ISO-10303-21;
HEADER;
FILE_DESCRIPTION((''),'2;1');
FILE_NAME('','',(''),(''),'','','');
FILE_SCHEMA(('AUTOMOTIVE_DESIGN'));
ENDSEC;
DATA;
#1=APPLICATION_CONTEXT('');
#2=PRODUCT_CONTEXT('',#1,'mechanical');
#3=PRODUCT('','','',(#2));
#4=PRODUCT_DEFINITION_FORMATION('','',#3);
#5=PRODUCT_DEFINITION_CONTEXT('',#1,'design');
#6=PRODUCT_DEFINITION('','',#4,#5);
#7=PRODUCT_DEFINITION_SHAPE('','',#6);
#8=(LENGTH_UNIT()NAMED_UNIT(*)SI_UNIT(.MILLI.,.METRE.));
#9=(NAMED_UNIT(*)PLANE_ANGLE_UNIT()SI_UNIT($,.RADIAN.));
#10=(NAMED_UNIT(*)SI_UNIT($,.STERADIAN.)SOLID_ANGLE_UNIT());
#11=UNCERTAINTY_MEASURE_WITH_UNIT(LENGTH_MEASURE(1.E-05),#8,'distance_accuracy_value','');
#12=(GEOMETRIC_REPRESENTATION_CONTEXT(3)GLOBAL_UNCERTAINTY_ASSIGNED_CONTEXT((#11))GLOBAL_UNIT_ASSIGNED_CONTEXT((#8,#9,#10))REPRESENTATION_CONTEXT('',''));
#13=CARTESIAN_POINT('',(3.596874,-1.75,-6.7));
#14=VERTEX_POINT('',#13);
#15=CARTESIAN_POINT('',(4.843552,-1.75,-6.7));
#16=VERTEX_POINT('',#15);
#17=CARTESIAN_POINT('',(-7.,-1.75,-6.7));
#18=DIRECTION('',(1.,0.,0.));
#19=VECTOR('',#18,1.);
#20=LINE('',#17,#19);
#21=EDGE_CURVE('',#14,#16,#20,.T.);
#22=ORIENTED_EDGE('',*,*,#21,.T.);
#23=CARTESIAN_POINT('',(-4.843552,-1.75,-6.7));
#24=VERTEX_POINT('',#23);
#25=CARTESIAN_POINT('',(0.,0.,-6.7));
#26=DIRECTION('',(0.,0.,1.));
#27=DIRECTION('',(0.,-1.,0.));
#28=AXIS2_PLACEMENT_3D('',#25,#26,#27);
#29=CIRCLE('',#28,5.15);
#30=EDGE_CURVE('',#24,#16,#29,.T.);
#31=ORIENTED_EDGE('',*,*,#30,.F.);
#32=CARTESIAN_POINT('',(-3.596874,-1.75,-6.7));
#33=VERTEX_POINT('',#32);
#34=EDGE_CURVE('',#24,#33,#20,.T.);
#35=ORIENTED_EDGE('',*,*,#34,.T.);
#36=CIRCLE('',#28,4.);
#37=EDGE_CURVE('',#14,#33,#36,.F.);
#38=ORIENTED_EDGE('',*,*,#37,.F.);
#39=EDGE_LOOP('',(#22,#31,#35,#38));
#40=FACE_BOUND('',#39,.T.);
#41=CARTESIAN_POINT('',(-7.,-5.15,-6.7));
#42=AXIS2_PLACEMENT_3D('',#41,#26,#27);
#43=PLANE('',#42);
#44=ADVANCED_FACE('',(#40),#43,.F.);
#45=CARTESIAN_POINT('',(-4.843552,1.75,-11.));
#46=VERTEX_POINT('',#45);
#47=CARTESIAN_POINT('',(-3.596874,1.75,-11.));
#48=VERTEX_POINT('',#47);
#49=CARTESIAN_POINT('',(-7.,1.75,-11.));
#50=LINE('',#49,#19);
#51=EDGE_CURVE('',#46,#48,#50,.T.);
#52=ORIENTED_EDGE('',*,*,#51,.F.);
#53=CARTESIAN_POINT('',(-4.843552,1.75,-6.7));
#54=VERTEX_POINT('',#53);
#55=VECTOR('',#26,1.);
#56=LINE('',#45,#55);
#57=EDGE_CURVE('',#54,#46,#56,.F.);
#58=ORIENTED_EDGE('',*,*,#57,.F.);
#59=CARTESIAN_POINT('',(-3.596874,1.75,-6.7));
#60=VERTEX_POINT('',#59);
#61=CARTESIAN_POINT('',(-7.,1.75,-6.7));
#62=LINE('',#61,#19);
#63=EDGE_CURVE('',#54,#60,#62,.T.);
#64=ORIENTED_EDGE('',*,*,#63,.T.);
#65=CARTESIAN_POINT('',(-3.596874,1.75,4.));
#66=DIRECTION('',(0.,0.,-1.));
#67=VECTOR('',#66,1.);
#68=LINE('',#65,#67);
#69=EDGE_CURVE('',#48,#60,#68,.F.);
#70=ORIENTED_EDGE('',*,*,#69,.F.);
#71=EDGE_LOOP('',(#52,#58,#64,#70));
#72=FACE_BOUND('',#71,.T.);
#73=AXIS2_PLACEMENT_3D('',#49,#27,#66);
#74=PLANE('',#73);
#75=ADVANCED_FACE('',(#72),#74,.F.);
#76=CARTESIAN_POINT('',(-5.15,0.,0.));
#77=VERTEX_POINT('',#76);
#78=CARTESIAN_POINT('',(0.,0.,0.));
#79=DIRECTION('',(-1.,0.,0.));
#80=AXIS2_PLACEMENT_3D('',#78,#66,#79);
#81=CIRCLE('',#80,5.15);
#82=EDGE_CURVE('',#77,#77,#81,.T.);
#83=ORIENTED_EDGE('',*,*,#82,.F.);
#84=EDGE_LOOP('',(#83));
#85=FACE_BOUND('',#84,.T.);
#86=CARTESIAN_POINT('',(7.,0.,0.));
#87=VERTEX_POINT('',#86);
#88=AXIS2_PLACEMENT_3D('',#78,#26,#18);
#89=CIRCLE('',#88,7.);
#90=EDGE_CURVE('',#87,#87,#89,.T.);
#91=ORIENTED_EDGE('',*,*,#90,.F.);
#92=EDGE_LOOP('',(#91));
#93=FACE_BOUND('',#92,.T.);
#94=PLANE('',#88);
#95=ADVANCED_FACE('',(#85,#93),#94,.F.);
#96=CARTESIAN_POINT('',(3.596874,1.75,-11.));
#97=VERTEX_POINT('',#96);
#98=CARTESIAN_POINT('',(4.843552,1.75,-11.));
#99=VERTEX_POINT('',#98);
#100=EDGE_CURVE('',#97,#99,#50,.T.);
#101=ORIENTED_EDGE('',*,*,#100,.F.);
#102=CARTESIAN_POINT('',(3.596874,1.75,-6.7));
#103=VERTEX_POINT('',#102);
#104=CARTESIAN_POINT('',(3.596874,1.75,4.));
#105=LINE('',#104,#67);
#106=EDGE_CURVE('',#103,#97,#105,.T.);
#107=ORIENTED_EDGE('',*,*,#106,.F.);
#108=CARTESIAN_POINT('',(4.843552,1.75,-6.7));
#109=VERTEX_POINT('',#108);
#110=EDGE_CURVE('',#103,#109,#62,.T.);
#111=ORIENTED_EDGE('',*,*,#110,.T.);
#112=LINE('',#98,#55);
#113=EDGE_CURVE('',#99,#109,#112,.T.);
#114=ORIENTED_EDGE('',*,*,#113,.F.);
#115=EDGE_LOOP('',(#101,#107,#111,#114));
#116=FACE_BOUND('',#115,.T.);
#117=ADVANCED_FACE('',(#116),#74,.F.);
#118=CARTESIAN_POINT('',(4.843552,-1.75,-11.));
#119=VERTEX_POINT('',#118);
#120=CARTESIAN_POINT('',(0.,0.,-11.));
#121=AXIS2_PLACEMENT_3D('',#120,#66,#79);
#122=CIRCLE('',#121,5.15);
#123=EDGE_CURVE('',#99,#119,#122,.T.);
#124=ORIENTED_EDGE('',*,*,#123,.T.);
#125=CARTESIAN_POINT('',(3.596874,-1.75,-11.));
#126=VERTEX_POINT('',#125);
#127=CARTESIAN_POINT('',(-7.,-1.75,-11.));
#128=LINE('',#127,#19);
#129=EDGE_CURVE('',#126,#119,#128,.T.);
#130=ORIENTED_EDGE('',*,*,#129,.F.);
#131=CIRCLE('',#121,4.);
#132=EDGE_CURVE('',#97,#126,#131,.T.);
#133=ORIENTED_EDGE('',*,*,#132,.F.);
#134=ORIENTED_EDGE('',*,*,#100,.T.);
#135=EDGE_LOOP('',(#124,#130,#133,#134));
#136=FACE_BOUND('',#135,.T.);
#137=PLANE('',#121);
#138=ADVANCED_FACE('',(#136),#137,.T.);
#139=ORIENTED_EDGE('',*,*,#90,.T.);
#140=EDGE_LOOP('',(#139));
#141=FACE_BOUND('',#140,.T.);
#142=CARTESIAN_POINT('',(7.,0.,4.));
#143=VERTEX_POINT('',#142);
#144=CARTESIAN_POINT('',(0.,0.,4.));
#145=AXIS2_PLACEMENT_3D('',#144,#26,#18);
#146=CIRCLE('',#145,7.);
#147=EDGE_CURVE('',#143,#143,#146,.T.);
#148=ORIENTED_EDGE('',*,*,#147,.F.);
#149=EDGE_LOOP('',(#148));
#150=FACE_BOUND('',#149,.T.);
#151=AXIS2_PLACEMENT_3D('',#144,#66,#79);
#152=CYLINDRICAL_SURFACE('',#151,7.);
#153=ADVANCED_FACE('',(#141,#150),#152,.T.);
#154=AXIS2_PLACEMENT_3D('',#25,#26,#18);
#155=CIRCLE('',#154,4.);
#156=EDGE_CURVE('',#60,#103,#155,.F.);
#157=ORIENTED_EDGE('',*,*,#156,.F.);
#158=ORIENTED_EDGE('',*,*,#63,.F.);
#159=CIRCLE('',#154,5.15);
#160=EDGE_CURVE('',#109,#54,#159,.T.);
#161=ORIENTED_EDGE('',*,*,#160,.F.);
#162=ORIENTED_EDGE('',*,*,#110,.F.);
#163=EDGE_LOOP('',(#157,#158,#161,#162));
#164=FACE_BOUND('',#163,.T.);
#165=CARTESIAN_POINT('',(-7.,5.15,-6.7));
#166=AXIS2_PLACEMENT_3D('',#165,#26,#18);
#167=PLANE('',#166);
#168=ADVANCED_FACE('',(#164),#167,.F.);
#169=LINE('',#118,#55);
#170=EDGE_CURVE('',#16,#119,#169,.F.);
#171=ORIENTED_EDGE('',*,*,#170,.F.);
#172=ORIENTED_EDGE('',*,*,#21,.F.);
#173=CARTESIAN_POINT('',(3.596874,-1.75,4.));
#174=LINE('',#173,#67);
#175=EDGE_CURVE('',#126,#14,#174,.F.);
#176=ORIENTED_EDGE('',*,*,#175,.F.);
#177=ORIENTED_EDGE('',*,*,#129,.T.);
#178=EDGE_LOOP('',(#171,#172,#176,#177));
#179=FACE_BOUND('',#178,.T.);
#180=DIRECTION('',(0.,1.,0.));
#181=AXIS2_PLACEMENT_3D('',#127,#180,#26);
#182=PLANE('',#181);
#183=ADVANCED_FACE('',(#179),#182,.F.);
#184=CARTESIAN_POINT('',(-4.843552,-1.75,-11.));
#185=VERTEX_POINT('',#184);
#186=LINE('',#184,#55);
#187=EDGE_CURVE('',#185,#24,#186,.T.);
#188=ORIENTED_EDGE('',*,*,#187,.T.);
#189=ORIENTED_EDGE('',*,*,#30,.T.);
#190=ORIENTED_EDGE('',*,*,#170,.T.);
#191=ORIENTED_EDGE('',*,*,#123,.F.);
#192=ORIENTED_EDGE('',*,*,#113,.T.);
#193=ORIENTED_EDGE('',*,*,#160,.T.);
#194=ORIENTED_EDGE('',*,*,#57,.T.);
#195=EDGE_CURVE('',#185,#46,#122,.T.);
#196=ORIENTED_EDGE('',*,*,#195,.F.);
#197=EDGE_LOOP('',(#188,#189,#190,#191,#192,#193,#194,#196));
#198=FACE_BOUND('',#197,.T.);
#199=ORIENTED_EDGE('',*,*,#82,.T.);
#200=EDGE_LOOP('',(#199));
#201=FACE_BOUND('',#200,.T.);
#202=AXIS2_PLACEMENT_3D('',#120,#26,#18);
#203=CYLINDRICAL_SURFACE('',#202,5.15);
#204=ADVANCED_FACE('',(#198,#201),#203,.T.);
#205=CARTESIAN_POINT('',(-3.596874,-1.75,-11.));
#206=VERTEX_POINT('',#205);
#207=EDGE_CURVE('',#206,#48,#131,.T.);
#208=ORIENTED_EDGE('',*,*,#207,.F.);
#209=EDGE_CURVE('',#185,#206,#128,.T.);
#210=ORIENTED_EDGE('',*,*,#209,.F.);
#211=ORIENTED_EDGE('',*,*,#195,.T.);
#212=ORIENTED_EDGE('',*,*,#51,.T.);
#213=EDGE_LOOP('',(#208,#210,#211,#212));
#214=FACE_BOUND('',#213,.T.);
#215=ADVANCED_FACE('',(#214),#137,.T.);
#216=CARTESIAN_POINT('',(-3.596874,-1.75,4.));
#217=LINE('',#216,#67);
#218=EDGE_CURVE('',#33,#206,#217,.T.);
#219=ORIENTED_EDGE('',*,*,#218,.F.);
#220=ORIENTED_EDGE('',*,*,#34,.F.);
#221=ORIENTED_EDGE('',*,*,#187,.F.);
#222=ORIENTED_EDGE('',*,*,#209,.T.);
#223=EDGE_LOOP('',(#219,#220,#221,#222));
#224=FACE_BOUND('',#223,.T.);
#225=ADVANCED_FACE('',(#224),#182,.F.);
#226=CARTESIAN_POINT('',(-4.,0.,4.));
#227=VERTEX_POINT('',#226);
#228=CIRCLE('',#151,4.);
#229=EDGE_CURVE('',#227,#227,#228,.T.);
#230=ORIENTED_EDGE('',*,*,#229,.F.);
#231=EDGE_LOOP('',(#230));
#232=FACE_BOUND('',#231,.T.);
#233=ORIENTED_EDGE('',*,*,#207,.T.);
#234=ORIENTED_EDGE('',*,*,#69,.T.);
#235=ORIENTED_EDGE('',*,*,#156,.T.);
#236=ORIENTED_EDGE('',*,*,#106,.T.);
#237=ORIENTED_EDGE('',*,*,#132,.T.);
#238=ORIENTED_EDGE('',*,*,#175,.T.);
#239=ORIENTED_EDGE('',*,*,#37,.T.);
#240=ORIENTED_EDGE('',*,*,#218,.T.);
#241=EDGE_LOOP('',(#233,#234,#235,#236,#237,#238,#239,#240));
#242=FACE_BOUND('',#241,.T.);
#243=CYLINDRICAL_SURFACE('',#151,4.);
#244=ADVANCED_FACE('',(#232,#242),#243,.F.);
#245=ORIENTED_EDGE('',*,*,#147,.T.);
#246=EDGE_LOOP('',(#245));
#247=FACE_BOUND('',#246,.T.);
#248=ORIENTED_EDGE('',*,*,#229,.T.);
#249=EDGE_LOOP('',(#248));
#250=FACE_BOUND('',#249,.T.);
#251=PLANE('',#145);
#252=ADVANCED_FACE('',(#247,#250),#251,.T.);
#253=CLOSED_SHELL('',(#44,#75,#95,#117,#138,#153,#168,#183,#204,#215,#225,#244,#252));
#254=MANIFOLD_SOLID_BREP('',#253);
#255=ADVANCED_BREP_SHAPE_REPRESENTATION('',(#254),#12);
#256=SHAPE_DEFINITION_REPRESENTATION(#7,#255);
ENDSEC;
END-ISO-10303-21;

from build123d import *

# Parameters (mm, degrees)
SKETCH_1_R               = 7
EXTRUDE_1_DEPTH          = 4
SKETCH_2_R               = 5.15
EXTRUDE_2_DEPTH          = 11
SKETCH_3_R               = 4
CUT_EXTRUDE_1_DEPTH      = 1
CUT_EXTRUDE_1_DEPTH_BACK = 16
SKETCH_6_W               = 4.3
SKETCH_6_H               = 3.4
CUT_EXTRUDE_2_DEPTH      = 8
CUT_EXTRUDE_2_DEPTH_BACK = 8


with BuildPart() as part:
    # 草图1 → 凸台-拉伸1 (new body)
    with BuildSketch(Plane.XY):
        Circle(SKETCH_1_R)
    extrude(amount=EXTRUDE_1_DEPTH)

    # 草图2 → 凸台-拉伸2 (add)
    with BuildSketch(Plane(origin=(0, 0, 0), x_dir=(-1, 0, 0), z_dir=(0, 0, -1))):
        Circle(SKETCH_2_R)
    extrude(amount=EXTRUDE_2_DEPTH)

    # 草图3 → 切除-拉伸1 (cut, two sides)
    with BuildSketch(Plane(origin=(0, 0, -11), x_dir=(-1, 0, 0), z_dir=(0, 0, -1))) as cut_extrude_1_sk:
        Circle(SKETCH_3_R)
    extrude(amount=CUT_EXTRUDE_1_DEPTH, mode=Mode.SUBTRACT)
    extrude(cut_extrude_1_sk.sketch, amount=-CUT_EXTRUDE_1_DEPTH_BACK, mode=Mode.SUBTRACT)

    # 草图6 → 切除-拉伸2 (cut, two sides)
    with BuildSketch(Plane(origin=(0, 0, 0), x_dir=(0, 0, -1), z_dir=(1, 0, 0))) as cut_extrude_2_sk:
        with Locations((8.85, 3.45)):
            Rectangle(SKETCH_6_W, SKETCH_6_H)
        with Locations((8.85, -3.45)):
            Rectangle(SKETCH_6_W, SKETCH_6_H)
    extrude(amount=CUT_EXTRUDE_2_DEPTH, mode=Mode.SUBTRACT)
    extrude(cut_extrude_2_sk.sketch, amount=-CUT_EXTRUDE_2_DEPTH_BACK, mode=Mode.SUBTRACT)


solid = part.part
